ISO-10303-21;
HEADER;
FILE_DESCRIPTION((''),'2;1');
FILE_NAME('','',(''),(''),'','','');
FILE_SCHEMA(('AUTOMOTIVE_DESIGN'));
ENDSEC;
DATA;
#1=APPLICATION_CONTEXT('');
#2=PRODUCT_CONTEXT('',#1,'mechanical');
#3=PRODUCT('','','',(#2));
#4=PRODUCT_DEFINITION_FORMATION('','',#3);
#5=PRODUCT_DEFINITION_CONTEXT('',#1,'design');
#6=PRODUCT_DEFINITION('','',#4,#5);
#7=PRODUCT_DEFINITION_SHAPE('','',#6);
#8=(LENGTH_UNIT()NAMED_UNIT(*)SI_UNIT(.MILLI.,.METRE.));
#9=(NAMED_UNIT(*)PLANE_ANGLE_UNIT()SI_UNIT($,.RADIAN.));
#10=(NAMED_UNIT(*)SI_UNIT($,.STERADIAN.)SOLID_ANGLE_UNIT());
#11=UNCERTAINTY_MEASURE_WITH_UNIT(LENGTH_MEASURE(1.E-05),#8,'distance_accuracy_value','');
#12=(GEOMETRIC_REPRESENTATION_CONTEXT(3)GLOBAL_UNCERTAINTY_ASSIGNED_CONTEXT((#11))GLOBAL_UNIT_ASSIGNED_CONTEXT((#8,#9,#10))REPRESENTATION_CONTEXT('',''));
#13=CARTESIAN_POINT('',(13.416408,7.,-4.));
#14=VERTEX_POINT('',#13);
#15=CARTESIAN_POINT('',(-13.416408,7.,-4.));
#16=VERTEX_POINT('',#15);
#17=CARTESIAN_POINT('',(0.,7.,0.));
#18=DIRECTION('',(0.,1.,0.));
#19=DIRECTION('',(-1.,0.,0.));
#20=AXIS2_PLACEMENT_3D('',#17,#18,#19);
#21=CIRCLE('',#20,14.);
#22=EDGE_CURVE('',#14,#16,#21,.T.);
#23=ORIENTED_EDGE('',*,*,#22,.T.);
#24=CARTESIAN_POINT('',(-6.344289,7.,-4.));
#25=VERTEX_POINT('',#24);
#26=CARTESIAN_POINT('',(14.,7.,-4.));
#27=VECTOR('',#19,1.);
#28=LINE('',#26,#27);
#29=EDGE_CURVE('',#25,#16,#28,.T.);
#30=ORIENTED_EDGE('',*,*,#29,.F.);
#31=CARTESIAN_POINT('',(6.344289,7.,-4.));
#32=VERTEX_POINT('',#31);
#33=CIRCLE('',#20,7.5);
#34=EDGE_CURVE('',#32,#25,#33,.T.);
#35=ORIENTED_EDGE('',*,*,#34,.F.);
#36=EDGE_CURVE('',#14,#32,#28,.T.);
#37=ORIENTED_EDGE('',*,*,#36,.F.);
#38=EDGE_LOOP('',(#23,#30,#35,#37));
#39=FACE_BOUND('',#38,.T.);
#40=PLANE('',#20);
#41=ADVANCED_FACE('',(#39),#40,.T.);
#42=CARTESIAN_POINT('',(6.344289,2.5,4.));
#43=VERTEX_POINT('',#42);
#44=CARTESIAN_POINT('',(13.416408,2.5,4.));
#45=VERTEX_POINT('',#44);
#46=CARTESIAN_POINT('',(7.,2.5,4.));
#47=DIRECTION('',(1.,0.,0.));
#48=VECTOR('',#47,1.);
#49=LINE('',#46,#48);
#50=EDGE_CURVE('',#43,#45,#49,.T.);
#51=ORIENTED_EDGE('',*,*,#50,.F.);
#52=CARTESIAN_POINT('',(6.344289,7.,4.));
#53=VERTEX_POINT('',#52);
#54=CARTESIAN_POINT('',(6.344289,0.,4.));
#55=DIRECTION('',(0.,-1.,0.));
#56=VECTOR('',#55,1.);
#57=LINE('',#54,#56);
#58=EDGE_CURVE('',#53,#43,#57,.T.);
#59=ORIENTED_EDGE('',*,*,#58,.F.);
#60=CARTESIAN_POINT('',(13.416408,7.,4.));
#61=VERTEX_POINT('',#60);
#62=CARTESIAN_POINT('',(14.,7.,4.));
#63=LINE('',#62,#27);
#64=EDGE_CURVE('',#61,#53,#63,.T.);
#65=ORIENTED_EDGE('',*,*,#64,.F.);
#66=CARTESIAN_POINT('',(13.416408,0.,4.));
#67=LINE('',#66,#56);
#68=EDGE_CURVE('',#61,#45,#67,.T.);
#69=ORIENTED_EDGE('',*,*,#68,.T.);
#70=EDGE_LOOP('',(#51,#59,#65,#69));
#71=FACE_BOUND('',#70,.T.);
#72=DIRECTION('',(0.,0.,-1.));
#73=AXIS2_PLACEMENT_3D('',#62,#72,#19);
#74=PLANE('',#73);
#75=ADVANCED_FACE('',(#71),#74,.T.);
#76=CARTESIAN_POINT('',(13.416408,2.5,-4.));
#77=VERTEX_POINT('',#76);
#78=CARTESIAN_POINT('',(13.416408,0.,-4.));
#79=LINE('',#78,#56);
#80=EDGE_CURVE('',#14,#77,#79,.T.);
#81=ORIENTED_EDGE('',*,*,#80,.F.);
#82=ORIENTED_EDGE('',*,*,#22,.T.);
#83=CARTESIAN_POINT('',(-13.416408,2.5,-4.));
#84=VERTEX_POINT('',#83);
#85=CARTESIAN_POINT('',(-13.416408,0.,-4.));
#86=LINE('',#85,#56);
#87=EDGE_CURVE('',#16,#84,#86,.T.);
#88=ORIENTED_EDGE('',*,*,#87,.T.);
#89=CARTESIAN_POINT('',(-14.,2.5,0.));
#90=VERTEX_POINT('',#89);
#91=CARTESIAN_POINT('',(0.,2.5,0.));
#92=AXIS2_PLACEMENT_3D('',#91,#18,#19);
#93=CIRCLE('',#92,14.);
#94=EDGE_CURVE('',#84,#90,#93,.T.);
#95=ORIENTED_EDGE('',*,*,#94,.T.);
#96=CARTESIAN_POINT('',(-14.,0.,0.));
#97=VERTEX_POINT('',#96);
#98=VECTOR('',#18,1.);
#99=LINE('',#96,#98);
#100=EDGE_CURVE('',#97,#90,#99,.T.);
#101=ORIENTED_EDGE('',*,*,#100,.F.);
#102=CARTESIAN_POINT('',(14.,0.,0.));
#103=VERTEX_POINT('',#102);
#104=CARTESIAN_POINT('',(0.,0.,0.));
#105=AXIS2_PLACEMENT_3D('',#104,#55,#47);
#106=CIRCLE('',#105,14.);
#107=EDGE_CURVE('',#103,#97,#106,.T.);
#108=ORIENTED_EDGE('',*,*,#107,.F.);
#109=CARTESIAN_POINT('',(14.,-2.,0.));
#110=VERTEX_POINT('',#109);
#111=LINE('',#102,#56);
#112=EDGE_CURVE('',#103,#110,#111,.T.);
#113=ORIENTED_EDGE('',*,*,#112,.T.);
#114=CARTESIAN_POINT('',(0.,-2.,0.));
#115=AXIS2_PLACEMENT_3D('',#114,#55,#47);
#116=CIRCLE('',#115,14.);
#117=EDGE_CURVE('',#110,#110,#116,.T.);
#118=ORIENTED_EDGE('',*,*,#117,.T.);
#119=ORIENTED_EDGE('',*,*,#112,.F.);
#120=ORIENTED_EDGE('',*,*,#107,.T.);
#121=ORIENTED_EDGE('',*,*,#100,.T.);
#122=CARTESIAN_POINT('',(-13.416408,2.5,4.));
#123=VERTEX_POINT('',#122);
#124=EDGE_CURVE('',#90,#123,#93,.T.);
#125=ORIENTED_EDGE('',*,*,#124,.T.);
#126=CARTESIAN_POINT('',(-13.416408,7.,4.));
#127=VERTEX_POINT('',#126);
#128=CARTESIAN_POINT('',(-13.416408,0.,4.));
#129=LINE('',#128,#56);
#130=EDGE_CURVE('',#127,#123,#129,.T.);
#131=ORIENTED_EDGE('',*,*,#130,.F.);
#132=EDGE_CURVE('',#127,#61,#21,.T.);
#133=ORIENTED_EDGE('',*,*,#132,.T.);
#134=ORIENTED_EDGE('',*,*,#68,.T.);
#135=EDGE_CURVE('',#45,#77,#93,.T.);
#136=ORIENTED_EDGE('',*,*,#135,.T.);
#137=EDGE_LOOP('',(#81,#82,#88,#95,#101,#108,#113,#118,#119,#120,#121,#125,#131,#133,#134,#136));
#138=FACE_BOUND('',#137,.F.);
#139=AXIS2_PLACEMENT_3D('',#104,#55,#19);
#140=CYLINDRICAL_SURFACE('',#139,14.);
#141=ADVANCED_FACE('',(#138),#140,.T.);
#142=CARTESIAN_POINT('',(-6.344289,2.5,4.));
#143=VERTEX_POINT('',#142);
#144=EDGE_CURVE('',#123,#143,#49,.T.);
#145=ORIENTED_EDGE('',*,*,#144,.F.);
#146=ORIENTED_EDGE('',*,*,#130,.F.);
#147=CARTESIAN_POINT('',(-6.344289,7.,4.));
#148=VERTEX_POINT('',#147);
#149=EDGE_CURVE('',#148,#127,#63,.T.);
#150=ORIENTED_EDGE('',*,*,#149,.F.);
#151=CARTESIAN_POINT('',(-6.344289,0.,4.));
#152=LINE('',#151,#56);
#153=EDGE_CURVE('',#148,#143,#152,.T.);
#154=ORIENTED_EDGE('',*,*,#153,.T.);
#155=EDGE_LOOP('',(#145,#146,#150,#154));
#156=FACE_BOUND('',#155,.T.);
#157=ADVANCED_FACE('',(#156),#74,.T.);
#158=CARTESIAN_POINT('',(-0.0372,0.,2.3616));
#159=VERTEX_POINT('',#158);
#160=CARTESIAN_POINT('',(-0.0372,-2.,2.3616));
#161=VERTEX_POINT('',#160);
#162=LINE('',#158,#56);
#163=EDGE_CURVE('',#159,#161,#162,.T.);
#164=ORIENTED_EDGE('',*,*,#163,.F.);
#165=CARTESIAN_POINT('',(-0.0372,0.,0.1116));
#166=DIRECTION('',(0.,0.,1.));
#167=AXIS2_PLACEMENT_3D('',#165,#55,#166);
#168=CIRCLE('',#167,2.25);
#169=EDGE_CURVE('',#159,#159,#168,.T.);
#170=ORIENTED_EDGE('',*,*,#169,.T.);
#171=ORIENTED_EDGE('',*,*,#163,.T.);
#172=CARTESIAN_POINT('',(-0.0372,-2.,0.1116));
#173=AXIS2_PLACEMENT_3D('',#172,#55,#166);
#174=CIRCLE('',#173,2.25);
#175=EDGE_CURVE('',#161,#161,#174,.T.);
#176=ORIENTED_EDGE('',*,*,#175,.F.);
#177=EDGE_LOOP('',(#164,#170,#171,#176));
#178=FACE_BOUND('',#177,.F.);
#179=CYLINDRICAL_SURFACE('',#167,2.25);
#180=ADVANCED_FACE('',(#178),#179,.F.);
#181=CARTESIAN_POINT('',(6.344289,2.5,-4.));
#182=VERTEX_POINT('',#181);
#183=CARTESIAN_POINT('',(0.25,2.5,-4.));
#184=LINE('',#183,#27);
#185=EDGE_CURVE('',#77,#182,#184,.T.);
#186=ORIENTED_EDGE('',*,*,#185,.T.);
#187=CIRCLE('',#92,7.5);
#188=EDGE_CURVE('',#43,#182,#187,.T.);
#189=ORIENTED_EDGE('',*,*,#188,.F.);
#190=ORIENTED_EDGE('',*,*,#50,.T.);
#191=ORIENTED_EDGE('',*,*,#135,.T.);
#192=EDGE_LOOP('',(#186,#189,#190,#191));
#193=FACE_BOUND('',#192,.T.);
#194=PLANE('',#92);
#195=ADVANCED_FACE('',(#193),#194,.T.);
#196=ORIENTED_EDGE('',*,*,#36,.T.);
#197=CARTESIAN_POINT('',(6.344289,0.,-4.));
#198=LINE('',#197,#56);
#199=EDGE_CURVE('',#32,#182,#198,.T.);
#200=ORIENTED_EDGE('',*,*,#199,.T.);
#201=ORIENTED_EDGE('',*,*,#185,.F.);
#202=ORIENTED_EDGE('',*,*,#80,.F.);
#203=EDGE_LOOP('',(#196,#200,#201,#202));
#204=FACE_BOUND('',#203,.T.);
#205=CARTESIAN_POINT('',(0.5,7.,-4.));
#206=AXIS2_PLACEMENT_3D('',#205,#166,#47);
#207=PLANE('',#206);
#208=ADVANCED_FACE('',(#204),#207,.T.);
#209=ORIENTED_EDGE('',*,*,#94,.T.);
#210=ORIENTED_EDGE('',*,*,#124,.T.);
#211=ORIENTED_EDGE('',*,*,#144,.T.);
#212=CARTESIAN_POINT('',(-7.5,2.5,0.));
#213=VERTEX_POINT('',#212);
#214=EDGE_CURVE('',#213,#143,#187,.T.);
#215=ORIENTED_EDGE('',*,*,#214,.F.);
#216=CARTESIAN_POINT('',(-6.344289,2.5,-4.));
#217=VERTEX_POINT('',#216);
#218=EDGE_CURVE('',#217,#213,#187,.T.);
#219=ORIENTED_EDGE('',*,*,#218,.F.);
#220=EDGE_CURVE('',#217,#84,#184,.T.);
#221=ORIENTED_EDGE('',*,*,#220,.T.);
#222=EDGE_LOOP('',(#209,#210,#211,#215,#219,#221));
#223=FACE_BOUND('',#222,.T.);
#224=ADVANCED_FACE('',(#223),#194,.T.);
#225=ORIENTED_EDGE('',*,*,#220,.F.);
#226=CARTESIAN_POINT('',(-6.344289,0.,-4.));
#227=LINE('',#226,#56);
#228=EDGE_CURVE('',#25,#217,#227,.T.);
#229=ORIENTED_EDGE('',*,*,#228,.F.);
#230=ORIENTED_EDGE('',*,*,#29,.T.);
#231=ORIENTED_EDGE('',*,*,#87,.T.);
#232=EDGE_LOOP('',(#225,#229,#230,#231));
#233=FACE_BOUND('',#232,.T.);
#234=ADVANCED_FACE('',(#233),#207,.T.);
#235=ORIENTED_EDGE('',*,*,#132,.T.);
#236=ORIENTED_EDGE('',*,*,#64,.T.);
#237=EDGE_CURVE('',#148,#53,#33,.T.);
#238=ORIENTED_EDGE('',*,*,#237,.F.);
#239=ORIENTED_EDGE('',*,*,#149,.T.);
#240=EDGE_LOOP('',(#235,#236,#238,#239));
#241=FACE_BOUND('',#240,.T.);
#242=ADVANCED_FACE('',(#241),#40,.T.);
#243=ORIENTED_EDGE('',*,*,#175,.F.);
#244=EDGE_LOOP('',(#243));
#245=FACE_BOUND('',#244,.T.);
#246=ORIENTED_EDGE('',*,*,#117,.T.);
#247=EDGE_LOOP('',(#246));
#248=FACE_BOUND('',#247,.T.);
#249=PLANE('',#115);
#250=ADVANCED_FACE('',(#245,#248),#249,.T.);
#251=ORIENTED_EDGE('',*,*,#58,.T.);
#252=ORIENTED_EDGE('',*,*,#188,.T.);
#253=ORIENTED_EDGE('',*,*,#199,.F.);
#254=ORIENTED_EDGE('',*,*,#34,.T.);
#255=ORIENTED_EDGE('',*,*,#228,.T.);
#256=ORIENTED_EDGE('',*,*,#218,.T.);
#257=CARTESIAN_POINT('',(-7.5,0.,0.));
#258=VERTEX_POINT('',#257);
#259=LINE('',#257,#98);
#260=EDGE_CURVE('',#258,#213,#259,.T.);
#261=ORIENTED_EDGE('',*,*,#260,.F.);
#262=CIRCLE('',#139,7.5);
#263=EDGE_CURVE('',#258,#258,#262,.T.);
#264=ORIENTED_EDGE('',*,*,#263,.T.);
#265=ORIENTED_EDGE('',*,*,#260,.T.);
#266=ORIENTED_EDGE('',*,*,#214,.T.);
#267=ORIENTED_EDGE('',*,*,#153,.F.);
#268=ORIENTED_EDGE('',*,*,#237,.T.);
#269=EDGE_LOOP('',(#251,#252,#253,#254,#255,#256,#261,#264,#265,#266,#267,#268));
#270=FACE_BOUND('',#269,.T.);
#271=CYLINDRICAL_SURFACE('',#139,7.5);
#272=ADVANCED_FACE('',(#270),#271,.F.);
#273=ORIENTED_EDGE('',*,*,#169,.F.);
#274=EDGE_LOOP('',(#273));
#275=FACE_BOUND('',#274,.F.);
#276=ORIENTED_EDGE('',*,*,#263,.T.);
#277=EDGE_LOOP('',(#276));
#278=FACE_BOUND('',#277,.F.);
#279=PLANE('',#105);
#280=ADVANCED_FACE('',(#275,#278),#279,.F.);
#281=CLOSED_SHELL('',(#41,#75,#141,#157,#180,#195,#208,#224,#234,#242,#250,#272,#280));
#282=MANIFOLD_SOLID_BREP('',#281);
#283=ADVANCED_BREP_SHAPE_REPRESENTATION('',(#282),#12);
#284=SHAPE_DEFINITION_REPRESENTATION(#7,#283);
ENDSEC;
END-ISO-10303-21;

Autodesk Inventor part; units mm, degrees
ref_plane "YZ Plane" through (0, 0, 0) normal (1, 0, 0) x (0, 1, 0)
ref_plane "XZ Plane" through (0, 0, 0) normal (0, 1, 0) x (-1, 0, 0)
ref_plane "XY Plane" through (0, 0, 0) normal (0, 0, 1) x (1, 0, 0)
sketch "Sketch1" plane through (0, 0, 0) normal (0, 1, 0) x (-1, 0, 0)
  circle A0 centre (0, 0) radius 14
  circle A1 centre (0, 0) radius 7.5
  dimension "d0" = 28
  dimension "d1" = 15
extrude "Extrusion1" add sketch "Sketch1" along normal blind 7
sketch "Sketch2" plane through (0, 7, 0) normal (0, 1, 0) x (1, 0, 0)
  line L0 (14, -4) -> (-14, -4)
  line L1 (-14, -4) -> (-14, 4)
  line L2 (-14, 4) -> (14, 4)
  line L3 (14, 4) -> (14, -4)
  line L4 (14, -4) -> (-14, 4) construction
  line L5 (-14, -4) -> (14, 4) construction
  line L6 (-0.5, 5) -> (0.5, 5)
  line L7 (0.5, 5) -> (0.5, -5)
  line L8 (0.5, -5) -> (-0.5, -5)
  line L9 (-0.5, -5) -> (-0.5, 5)
  line L10 (-0.5, 5) -> (0.5, -5) construction
  line L11 (0.5, 5) -> (-0.5, -5) construction
  point P0 (0, 0)
  dimension "d4" = 28
  dimension "d5" = 8
extrude "Extrusion2" cut sketch "Sketch2" against normal blind 8 contours L0 L7 L2 L3 | L0 L9 L2 L7 | L0 L1 L2 L9
sketch "Sketch3" plane through (0, 0, 0) normal (0, -1, 0) x (1, 0, 0)
  circle A0 centre (0, 0) radius 14
  dimension "d17" = 28
extrude "Extrusion3" add sketch "Sketch3" along normal blind 2
sketch "Sketch5" plane through (0, 0, 0) normal (0, 1, 0) x (1, 0, 0)
  point P0 (0, 0)
  point P1 (-0.0372, -0.1116)
hole "Hole2" at (-0.0372, 0, 0.1116) direction (0, -1, 0) diameter 4.5 end through all clearance for "Hex Head Machine Screw" size "M4" standard "Ansi Metric M Profile"
extrude "Extrusion4" add sketch "Sketch1" along normal blind 2.5
properties part number "magneticslotV1"
